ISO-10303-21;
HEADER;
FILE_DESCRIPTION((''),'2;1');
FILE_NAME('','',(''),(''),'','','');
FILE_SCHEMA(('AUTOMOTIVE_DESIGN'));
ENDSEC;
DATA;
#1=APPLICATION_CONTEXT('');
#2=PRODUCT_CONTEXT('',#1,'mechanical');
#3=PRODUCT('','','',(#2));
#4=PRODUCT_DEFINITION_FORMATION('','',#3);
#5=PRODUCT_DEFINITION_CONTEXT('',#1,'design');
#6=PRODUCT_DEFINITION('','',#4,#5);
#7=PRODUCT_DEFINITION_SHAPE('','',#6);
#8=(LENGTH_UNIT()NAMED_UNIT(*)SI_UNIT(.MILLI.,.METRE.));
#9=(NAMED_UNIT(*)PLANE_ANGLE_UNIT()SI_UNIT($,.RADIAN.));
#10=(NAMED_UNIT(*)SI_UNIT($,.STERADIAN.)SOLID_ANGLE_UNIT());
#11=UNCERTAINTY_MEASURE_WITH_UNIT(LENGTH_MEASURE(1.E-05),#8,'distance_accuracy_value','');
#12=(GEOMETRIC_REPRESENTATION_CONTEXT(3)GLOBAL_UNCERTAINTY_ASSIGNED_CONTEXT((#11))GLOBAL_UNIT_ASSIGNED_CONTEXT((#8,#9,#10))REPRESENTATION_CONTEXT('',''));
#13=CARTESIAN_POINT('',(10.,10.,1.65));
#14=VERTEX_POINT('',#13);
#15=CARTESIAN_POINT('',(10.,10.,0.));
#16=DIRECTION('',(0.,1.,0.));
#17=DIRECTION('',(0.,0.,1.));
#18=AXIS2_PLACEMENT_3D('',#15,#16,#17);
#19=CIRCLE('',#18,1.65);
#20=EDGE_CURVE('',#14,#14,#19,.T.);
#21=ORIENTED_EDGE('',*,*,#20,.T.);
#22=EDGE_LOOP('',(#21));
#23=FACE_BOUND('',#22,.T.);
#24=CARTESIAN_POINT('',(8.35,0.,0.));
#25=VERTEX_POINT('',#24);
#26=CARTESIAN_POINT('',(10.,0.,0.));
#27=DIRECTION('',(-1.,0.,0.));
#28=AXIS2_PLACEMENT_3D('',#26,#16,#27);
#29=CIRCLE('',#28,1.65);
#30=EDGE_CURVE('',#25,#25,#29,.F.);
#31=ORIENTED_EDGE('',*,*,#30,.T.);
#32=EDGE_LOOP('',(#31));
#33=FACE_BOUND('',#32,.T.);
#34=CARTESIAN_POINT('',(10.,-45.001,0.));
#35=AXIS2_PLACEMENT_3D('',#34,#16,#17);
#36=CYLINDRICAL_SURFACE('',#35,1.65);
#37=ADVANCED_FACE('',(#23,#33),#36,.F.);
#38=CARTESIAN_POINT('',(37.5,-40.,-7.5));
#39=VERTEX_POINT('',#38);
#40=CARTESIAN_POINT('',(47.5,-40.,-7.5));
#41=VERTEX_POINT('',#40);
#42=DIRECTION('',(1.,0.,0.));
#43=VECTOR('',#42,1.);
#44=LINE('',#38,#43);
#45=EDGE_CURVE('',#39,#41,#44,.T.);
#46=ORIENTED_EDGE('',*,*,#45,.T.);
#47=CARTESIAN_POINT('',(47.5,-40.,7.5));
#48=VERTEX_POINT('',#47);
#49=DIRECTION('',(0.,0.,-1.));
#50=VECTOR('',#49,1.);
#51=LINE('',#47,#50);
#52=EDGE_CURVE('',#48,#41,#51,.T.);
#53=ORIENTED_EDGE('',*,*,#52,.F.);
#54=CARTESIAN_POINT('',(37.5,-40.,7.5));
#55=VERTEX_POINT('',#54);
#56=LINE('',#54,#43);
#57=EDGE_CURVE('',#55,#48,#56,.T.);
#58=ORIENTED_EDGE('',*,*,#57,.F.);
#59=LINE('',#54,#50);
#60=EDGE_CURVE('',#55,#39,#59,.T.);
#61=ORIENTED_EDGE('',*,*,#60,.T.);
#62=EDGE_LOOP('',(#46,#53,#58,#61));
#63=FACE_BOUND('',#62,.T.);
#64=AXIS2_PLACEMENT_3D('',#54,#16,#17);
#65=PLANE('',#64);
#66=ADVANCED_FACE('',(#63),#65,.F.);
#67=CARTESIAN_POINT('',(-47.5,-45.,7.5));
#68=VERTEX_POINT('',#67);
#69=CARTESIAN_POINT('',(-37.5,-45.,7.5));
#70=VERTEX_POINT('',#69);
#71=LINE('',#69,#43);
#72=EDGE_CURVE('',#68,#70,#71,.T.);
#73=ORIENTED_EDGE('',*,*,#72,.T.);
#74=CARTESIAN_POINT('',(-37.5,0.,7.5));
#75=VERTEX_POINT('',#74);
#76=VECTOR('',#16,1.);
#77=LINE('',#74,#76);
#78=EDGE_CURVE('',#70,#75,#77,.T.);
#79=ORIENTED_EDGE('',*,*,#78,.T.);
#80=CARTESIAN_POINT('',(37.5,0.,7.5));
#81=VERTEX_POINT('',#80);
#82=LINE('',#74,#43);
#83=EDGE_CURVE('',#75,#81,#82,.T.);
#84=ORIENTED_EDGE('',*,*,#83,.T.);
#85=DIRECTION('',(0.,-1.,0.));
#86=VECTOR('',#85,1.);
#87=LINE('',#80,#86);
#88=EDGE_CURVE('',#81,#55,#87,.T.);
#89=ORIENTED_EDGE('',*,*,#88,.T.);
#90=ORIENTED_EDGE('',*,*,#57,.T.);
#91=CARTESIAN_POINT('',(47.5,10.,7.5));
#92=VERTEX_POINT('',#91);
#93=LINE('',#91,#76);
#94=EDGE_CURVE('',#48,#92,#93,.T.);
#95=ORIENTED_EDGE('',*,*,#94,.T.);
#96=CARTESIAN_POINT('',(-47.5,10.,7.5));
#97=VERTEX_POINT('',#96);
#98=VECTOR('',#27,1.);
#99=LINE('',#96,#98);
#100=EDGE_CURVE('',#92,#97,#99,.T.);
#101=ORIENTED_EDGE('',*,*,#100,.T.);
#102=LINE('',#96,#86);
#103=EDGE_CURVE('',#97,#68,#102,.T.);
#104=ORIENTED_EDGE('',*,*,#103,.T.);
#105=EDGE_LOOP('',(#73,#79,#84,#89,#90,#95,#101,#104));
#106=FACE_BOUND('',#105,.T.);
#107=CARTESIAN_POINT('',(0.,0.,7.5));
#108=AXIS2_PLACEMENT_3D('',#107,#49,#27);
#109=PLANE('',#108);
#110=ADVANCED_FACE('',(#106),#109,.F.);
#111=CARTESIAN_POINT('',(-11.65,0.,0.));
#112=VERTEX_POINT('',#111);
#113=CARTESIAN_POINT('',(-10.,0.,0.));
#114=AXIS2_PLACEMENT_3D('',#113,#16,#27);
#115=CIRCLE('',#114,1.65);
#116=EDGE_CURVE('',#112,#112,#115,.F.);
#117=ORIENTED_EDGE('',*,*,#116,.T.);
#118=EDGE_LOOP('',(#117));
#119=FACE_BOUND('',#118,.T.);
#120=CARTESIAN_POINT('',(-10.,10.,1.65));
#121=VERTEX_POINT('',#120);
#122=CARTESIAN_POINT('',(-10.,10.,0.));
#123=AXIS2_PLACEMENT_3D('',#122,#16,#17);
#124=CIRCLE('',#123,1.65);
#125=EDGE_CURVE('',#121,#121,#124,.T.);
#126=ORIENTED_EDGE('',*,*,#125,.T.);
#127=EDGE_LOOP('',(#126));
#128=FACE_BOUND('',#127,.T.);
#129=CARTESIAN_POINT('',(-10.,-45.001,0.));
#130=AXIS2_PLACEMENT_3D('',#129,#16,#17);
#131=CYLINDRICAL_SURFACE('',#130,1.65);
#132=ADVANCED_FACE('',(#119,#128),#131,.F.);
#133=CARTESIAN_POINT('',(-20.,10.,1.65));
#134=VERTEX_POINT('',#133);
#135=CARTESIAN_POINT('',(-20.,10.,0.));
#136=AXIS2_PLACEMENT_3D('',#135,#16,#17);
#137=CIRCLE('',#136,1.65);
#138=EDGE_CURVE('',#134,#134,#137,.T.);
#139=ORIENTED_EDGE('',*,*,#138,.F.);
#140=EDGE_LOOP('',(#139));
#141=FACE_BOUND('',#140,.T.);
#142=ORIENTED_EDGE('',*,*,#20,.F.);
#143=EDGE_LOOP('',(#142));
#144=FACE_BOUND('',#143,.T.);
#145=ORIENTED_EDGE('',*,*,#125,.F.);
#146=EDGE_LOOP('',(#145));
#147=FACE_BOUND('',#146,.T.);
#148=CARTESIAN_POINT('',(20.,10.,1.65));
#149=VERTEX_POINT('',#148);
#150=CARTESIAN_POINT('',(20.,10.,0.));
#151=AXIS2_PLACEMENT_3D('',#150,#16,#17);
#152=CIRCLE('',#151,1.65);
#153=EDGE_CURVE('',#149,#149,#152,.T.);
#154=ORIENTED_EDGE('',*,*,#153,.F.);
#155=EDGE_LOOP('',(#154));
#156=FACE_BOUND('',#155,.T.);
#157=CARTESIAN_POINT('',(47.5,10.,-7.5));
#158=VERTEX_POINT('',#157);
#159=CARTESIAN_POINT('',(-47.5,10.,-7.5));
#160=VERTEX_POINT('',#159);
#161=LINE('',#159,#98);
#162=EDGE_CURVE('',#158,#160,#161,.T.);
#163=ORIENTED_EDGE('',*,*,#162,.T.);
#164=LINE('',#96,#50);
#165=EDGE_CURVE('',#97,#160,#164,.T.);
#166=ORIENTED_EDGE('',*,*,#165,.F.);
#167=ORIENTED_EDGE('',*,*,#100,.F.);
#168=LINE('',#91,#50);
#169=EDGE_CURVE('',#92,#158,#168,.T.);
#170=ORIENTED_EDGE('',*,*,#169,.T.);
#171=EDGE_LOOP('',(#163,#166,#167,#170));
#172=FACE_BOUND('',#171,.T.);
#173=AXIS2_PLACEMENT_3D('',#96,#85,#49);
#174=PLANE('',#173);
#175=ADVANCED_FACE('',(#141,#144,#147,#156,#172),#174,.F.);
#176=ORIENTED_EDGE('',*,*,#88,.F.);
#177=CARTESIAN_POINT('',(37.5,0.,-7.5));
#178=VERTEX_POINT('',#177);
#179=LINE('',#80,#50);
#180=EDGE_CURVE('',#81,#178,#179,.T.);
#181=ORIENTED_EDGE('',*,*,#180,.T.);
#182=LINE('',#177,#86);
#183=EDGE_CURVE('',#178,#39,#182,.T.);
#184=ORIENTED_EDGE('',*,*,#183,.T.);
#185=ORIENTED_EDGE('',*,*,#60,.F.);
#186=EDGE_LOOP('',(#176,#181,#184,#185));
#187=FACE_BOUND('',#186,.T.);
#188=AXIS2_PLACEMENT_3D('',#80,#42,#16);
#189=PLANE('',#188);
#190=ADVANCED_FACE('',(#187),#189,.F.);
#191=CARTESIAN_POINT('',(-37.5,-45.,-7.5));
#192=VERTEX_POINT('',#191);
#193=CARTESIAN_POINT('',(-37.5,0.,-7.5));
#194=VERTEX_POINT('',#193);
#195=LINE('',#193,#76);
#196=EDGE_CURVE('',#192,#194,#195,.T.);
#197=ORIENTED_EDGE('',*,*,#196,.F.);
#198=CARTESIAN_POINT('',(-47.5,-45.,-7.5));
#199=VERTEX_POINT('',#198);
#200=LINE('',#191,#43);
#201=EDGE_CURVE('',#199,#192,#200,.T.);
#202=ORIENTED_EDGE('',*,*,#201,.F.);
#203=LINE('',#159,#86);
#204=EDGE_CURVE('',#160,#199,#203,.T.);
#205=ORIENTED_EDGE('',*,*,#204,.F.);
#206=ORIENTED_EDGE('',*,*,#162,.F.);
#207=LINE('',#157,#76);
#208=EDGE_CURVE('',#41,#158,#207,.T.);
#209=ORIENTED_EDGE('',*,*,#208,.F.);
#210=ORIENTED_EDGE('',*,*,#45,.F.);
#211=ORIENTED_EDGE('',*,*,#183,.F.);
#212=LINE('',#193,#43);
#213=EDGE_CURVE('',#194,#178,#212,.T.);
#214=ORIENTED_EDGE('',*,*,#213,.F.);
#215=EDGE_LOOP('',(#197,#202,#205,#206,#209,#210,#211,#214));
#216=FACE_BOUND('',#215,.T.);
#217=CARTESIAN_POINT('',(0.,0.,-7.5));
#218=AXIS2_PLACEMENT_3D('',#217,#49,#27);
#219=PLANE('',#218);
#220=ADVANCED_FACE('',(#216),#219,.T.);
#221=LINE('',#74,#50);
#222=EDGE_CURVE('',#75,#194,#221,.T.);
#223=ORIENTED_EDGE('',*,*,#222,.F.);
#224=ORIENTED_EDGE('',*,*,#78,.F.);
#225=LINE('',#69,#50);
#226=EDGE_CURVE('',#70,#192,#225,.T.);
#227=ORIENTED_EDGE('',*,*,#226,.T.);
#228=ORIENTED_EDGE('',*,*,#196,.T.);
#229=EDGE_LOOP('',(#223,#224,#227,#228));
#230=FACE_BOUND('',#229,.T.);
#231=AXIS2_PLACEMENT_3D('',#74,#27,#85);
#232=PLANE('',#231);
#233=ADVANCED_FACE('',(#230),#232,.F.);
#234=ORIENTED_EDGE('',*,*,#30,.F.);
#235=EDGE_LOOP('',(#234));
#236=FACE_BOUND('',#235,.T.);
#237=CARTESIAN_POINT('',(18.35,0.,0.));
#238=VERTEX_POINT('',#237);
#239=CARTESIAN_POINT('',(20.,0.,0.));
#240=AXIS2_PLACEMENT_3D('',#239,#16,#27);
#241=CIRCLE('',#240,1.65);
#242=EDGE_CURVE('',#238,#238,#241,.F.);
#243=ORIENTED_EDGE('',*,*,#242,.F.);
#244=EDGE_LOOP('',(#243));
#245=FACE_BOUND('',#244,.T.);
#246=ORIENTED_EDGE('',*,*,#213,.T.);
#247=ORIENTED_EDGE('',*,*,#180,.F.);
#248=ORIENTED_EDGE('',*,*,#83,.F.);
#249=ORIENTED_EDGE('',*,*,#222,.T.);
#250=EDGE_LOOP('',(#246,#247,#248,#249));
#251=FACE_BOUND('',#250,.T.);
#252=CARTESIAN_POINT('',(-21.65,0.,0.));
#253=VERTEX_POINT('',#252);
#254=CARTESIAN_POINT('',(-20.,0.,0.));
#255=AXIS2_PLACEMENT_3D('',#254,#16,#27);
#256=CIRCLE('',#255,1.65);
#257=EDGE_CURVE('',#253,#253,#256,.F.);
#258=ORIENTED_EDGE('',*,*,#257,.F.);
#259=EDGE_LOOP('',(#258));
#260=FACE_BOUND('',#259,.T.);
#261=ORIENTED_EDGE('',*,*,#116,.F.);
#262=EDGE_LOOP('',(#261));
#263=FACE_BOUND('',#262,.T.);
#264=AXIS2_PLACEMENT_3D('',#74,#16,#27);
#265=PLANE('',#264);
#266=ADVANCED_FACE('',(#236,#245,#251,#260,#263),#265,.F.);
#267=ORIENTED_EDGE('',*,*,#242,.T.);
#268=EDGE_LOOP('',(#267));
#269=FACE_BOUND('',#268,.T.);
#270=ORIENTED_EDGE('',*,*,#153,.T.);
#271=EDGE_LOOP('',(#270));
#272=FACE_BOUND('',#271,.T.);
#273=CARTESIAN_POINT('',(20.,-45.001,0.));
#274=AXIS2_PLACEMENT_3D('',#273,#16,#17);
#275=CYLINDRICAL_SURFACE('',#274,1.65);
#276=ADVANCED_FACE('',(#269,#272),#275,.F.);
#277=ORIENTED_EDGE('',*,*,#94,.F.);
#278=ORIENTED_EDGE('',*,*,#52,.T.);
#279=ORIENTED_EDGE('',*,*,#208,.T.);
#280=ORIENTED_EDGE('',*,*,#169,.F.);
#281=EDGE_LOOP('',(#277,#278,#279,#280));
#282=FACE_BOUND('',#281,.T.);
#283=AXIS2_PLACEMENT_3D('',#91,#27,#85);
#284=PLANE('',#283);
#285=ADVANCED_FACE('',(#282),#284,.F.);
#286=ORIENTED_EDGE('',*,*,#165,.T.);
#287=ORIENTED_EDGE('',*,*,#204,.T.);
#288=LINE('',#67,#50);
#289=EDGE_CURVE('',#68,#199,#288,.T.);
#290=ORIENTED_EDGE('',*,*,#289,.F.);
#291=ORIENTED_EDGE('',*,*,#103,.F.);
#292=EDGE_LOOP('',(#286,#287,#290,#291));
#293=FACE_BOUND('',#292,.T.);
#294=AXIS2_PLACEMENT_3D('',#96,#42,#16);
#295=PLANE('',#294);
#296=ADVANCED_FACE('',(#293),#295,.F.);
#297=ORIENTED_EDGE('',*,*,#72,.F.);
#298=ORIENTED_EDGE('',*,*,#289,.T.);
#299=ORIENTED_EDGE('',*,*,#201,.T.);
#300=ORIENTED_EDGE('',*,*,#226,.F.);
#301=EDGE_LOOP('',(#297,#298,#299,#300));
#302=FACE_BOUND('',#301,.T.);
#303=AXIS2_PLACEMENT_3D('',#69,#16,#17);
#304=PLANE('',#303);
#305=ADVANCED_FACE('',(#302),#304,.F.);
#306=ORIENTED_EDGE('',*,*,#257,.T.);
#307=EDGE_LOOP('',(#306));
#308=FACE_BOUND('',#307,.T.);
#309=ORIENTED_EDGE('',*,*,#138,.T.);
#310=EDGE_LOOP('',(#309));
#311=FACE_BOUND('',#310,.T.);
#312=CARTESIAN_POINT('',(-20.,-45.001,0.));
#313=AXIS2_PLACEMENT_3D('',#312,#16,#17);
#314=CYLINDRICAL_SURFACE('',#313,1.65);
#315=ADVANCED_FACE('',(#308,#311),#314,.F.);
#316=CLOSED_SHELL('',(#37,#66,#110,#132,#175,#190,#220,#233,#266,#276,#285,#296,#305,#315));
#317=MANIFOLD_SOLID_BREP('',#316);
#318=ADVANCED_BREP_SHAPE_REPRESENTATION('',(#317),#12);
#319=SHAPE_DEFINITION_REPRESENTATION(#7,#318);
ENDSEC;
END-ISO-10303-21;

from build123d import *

# Parameters (mm, degrees)
BOSS_EXTRUDE1_DEPTH = 7.5
CUT_EXTRUDE1_REACH  = 57
SKETCH2_R           = 1.65


with BuildPart() as part:
    # Sketch1 → Boss-Extrude1 (new body, symmetric)
    with BuildSketch(Plane.XY):
        Polygon((-37.5, 0), (37.5, 0), (37.5, -40), (47.5, -40), (47.5, 10), (-47.5, 10), (-47.5, -45), (-37.5, -45), align=None)
    extrude(amount=BOSS_EXTRUDE1_DEPTH, both=True)

    # Sketch2 → Cut-Extrude1 (cut, up to next)
    with BuildSketch(Plane(origin=(0, 10, 0), x_dir=(1, 0, 0), z_dir=(0, 1, 0)), mode=Mode.PRIVATE) as cut_extrude1_sk1:
        with Locations((-10, 0)):
            Circle(SKETCH2_R)
    cut_extrude1_tool1 = extrude(cut_extrude1_sk1.sketch, amount=-CUT_EXTRUDE1_REACH, mode=Mode.PRIVATE) & part.part
    add(cut_extrude1_tool1.solids().sort_by_distance((-10, 10, 0))[0], mode=Mode.SUBTRACT)
    # Sketch2 → Cut-Extrude1 (cut, up to next)
    with BuildSketch(Plane(origin=(0, 10, 0), x_dir=(1, 0, 0), z_dir=(0, 1, 0)), mode=Mode.PRIVATE) as cut_extrude1_sk2:
        with Locations((10, 0)):
            Circle(SKETCH2_R)
    cut_extrude1_tool2 = extrude(cut_extrude1_sk2.sketch, amount=-CUT_EXTRUDE1_REACH, mode=Mode.PRIVATE) & part.part
    add(cut_extrude1_tool2.solids().sort_by_distance((10, 10, 0))[0], mode=Mode.SUBTRACT)
    # Sketch2 → Cut-Extrude1 (cut, up to next)
    with BuildSketch(Plane(origin=(0, 10, 0), x_dir=(1, 0, 0), z_dir=(0, 1, 0)), mode=Mode.PRIVATE) as cut_extrude1_sk3:
        with Locations((20, 0)):
            Circle(SKETCH2_R)
    cut_extrude1_tool3 = extrude(cut_extrude1_sk3.sketch, amount=-CUT_EXTRUDE1_REACH, mode=Mode.PRIVATE) & part.part
    add(cut_extrude1_tool3.solids().sort_by_distance((20, 10, 0))[0], mode=Mode.SUBTRACT)
    # Sketch2 → Cut-Extrude1 (cut, up to next)
    with BuildSketch(Plane(origin=(0, 10, 0), x_dir=(1, 0, 0), z_dir=(0, 1, 0)), mode=Mode.PRIVATE) as cut_extrude1_sk4:
        with Locations((-20, 0)):
            Circle(SKETCH2_R)
    cut_extrude1_tool4 = extrude(cut_extrude1_sk4.sketch, amount=-CUT_EXTRUDE1_REACH, mode=Mode.PRIVATE) & part.part
    add(cut_extrude1_tool4.solids().sort_by_distance((-20, 10, 0))[0], mode=Mode.SUBTRACT)


solid = part.part
